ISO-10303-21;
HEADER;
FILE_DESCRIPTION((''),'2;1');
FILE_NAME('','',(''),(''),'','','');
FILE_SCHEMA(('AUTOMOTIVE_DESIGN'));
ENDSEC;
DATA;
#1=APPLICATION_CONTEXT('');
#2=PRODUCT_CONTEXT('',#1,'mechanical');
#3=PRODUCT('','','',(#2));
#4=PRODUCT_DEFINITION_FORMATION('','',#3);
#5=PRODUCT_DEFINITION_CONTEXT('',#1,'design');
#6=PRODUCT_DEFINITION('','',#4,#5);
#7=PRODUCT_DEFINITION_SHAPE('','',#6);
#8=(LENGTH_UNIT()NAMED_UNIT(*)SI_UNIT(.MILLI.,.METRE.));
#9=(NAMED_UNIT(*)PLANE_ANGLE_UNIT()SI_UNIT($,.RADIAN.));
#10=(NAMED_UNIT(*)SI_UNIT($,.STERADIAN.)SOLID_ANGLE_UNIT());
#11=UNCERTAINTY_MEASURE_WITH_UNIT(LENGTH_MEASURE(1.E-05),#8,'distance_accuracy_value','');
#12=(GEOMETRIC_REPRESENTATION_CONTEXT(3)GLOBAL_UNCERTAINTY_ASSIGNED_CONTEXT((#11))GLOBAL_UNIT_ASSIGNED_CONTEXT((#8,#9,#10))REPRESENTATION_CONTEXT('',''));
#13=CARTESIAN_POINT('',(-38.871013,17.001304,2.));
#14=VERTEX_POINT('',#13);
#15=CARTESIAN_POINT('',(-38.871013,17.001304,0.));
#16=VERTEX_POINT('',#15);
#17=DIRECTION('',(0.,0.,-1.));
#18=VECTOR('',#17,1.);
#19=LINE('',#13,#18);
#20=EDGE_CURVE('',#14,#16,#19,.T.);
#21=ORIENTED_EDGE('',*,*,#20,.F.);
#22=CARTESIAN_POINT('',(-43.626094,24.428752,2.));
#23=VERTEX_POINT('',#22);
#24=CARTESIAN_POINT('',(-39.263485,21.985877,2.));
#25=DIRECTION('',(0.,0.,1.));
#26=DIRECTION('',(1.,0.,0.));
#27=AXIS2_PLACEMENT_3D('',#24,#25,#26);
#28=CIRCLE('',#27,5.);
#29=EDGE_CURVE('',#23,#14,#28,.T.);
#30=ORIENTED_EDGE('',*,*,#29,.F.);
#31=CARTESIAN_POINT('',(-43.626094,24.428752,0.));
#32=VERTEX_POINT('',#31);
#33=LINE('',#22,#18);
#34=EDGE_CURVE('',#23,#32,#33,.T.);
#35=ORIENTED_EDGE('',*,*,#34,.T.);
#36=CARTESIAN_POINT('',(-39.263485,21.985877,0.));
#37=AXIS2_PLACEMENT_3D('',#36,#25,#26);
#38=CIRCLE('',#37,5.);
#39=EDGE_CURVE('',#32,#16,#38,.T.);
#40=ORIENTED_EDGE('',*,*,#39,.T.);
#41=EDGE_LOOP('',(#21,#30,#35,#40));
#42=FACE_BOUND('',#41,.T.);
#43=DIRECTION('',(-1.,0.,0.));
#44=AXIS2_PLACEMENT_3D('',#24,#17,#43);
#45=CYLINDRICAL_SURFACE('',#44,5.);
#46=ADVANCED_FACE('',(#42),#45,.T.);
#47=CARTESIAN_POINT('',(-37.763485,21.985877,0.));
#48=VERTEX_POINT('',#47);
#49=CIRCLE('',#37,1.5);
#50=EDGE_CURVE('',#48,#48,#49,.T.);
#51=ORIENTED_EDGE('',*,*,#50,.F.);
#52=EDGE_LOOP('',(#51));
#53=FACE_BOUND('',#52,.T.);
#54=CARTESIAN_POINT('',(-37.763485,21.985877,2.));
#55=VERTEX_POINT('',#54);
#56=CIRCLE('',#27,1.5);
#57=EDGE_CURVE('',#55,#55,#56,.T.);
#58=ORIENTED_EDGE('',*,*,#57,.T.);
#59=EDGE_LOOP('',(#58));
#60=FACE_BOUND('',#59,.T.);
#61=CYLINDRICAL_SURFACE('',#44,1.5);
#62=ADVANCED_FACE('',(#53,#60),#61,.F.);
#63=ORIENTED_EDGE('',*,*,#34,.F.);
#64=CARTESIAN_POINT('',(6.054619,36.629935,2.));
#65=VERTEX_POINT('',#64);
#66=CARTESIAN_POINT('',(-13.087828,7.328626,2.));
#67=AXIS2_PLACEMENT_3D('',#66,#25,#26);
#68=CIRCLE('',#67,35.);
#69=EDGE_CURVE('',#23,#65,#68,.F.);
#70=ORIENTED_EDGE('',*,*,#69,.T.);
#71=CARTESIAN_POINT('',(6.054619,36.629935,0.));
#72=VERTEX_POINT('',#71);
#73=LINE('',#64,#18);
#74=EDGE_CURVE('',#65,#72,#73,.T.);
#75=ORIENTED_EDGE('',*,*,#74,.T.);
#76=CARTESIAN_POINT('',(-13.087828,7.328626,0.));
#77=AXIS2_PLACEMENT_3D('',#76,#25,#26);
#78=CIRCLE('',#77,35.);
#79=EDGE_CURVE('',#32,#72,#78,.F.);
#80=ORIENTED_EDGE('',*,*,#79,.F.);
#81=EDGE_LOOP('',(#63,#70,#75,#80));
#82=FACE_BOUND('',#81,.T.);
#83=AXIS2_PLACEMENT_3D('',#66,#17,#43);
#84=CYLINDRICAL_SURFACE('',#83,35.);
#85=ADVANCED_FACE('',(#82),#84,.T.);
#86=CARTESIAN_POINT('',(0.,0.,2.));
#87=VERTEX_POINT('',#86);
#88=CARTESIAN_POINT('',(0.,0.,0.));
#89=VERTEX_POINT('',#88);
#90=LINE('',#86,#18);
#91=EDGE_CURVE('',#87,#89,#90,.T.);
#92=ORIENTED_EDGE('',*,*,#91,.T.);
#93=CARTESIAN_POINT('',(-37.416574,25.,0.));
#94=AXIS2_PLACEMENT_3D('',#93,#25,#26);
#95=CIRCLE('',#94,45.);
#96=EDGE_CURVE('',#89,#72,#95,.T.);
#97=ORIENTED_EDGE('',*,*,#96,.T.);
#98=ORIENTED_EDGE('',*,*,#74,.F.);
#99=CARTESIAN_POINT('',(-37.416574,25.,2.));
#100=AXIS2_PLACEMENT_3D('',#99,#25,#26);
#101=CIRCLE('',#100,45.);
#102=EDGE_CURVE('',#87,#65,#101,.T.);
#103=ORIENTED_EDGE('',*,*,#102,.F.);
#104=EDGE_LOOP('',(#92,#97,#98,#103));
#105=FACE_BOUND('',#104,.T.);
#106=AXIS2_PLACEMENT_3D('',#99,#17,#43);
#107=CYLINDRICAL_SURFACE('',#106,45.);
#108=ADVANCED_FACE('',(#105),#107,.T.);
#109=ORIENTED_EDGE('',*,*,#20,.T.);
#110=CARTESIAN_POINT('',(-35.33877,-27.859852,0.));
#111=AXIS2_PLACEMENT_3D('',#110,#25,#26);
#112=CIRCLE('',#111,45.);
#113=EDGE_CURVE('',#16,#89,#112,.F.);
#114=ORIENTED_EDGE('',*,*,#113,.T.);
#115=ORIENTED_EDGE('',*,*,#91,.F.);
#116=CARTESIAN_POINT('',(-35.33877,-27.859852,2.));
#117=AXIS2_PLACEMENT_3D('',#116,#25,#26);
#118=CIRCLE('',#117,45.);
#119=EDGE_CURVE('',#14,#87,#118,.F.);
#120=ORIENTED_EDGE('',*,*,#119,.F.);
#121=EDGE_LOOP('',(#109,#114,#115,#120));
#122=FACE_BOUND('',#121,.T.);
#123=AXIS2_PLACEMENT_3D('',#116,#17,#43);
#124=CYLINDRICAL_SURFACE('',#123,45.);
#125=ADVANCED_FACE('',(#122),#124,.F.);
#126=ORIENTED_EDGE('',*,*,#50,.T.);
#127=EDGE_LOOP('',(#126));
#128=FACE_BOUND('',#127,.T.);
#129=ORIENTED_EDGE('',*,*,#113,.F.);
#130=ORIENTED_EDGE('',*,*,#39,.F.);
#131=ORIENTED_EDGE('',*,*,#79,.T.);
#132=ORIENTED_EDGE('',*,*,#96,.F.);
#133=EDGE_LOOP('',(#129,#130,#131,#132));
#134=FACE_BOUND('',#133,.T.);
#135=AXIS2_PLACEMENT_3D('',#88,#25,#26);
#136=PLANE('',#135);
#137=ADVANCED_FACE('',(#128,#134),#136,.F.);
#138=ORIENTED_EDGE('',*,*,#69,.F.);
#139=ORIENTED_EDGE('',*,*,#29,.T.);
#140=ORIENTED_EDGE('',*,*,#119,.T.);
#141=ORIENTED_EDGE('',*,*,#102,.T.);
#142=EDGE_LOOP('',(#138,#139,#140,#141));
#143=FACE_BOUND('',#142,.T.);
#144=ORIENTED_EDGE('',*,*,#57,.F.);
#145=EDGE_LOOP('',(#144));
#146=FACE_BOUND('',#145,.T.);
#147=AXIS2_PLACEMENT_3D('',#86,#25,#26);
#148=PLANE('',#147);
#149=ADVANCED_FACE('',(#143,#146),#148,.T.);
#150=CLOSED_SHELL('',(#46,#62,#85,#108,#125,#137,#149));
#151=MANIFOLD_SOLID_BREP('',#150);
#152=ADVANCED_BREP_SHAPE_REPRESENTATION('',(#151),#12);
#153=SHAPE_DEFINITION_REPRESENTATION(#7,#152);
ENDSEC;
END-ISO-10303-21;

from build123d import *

# Parameters (mm, degrees)
SKETCH_1_R      = 1.5
EXTRUDE_1_DEPTH = 2


with BuildPart() as part:
    # 草圖1 → 填料-伸長1 (new body)
    with BuildSketch(Plane.XY):
        with BuildLine():
            ThreePointArc((-38.871013222, 17.001303806), (-17.306164288, 13.369084026), (0, 0))
            ThreePointArc((0, 0), (6.981013161, 17.661453415), (6.054619156, 36.629934525))
            ThreePointArc((6.054619156, 36.629934525), (-21.435485662, 41.318574281), (-43.626094088, 24.428751802))
            ThreePointArc((-43.626094088, 24.428751802), (-43.474451881, 19.289999171), (-38.871013222, 17.001303806))
        make_face()
        with Locations((-39.263484679, 21.985876622)):
            Circle(SKETCH_1_R, mode=Mode.SUBTRACT)
    extrude(amount=EXTRUDE_1_DEPTH)


solid = part.part
